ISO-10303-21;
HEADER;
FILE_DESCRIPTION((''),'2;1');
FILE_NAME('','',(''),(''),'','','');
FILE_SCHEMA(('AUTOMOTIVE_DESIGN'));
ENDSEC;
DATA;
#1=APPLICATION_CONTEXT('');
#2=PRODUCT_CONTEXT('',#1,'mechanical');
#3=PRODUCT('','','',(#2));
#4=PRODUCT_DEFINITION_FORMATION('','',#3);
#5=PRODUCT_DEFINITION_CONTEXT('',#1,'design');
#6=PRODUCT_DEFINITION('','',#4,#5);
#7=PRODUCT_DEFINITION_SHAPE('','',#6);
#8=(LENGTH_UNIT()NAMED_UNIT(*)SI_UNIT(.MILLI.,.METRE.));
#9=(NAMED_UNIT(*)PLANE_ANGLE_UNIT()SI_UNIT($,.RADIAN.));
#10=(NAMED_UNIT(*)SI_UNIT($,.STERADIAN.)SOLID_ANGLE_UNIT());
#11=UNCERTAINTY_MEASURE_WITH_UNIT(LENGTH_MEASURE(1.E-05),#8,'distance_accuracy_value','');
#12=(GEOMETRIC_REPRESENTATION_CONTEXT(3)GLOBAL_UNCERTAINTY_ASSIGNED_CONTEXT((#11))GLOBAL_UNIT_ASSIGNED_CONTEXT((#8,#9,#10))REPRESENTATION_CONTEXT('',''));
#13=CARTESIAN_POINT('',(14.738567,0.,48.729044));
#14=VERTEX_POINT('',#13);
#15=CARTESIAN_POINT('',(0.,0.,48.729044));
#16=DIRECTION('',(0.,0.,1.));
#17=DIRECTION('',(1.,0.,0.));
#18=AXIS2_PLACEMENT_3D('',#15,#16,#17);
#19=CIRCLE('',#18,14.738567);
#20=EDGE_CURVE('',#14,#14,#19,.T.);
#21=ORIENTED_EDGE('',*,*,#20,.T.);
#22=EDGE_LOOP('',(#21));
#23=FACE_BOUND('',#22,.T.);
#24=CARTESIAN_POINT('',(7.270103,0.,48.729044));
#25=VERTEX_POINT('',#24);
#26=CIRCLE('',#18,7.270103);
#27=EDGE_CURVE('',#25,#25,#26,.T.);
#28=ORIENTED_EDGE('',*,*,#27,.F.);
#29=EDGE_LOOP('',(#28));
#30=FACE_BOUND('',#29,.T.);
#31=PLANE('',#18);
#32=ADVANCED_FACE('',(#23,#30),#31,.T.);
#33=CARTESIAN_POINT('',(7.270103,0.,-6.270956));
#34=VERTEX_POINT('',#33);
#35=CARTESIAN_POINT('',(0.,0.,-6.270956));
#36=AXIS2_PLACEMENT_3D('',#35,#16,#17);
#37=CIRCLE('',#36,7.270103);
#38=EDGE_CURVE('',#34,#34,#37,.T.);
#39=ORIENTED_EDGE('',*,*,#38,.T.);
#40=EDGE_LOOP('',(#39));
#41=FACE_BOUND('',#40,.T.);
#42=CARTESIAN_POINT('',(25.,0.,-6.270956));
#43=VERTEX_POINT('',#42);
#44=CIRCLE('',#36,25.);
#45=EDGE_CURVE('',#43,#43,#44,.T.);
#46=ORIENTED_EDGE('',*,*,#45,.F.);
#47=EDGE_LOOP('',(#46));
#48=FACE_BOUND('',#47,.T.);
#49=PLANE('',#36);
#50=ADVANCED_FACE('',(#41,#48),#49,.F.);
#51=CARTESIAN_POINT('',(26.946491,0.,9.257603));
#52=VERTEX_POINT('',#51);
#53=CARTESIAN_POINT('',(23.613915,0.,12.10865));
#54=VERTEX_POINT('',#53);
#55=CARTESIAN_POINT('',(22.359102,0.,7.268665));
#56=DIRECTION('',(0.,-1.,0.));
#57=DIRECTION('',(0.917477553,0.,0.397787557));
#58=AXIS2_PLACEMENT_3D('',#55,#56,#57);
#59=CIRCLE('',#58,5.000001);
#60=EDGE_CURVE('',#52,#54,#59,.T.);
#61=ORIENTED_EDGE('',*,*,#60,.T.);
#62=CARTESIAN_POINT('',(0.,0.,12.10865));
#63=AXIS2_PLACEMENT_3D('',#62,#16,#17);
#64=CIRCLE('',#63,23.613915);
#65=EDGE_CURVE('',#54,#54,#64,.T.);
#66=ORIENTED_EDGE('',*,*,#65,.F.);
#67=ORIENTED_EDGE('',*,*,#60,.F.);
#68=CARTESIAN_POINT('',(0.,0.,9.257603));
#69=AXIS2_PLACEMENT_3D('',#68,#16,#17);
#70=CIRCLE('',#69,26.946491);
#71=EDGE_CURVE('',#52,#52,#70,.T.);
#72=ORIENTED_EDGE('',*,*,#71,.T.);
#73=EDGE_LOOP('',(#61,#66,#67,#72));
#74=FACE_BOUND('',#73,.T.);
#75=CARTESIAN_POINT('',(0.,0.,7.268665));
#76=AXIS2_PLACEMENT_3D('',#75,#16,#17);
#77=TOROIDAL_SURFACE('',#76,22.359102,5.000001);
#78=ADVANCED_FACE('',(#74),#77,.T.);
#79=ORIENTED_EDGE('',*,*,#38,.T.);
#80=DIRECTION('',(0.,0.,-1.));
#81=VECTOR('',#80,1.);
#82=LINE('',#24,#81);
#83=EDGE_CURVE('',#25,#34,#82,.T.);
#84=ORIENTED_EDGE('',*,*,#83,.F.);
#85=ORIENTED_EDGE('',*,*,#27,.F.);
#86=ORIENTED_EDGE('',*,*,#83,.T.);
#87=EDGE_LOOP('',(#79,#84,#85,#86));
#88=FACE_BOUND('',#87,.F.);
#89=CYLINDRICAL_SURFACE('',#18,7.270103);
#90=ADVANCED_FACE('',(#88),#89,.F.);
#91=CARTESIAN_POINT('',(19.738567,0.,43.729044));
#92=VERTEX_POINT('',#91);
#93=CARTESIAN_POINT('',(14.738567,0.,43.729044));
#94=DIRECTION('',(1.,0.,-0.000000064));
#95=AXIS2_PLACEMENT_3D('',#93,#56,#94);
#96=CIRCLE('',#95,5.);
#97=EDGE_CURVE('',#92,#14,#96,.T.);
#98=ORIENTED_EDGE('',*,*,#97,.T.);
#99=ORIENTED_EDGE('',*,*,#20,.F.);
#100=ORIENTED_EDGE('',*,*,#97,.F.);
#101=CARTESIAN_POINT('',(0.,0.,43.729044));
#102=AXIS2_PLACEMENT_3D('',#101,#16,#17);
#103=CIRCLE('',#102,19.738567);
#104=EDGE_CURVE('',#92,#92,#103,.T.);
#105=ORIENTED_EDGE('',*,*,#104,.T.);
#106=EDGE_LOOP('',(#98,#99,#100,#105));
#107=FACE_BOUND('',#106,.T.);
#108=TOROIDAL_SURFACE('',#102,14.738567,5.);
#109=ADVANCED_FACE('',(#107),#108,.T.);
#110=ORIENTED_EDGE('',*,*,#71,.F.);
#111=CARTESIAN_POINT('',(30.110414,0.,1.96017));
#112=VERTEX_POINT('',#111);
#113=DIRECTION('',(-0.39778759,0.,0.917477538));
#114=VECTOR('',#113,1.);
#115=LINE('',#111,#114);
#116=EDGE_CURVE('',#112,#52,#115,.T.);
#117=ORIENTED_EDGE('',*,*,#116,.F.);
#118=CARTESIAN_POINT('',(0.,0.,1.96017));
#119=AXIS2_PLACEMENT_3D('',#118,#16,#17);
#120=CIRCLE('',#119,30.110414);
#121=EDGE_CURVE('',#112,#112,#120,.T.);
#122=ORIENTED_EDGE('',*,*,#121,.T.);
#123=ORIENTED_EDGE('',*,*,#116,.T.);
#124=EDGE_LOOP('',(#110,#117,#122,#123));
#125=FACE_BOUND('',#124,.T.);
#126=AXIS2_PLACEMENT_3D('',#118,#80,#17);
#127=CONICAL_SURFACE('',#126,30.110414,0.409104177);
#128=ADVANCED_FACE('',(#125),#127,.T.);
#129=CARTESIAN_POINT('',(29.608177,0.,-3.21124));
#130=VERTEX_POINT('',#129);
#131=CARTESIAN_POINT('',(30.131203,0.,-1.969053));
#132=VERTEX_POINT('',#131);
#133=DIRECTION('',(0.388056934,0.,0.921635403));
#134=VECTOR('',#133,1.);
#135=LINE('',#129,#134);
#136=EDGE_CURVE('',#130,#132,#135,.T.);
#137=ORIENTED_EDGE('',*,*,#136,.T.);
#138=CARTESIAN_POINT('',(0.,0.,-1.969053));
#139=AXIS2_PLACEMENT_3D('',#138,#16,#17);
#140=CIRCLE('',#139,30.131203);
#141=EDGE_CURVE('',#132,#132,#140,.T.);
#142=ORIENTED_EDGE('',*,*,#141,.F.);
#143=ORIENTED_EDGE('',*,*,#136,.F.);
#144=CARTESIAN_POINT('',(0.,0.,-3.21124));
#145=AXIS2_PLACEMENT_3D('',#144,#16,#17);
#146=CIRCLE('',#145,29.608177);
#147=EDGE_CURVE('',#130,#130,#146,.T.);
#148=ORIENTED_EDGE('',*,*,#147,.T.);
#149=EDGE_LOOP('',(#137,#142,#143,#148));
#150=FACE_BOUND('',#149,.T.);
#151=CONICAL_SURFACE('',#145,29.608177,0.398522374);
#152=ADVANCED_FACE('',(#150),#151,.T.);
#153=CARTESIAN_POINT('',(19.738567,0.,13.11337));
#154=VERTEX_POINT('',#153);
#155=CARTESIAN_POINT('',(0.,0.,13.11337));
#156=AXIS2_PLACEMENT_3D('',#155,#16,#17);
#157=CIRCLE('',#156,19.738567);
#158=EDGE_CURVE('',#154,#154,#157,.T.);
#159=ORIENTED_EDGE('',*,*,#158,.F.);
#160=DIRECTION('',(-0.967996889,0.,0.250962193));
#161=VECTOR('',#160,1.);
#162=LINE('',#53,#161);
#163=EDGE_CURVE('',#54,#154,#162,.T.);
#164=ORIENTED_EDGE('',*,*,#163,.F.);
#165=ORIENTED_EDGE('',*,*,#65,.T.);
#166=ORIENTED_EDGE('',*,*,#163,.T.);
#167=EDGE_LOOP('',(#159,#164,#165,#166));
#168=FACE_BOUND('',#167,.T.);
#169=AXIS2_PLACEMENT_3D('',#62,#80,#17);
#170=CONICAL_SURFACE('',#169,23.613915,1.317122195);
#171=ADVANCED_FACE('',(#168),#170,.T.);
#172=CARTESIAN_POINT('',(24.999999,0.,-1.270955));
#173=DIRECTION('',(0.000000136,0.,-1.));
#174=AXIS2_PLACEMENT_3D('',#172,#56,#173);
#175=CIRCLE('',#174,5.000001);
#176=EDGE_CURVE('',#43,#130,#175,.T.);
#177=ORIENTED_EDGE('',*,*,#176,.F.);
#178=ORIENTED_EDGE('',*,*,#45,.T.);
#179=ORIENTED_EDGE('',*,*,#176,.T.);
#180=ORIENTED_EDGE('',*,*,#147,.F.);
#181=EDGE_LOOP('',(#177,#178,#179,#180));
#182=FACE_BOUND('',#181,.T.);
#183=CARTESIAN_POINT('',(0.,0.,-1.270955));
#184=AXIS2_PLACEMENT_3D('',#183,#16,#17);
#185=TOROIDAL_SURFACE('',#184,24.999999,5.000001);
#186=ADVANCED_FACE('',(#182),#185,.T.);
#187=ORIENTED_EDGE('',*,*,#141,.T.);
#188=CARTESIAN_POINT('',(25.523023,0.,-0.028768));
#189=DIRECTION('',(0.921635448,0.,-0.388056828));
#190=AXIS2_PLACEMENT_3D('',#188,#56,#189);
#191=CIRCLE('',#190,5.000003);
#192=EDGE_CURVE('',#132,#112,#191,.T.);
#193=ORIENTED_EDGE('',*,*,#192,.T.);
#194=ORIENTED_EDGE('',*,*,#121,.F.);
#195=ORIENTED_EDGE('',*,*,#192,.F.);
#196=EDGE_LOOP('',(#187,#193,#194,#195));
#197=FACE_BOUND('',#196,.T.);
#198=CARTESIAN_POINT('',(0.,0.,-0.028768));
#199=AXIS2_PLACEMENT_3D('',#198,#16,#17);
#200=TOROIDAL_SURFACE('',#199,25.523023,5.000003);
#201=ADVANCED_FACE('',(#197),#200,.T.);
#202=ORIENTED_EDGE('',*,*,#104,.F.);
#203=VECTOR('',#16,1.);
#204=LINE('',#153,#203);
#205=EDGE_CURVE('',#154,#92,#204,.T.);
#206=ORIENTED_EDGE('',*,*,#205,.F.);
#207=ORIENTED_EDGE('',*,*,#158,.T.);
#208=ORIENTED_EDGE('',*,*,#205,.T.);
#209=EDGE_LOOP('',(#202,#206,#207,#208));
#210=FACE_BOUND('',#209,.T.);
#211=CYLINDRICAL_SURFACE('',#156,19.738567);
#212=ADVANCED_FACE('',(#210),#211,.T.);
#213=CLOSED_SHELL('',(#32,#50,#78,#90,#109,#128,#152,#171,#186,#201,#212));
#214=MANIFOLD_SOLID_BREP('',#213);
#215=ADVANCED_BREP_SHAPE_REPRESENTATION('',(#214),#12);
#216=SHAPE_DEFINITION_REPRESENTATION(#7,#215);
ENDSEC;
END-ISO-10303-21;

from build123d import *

# Parameters (mm, degrees)
F2_R     = 7.270103
F3_DEPTH = 55.001


with BuildPart() as f1:
    # F0 (on Front) → F1 (revolve)
    with BuildSketch(Plane.XZ):
        with BuildLine():
            Line((14.738567, 48.729044), (0, 48.729044))
            Line((0, 48.729044), (0, -6.270956))
            Line((0, -6.270956), (25, -6.270956))
            ThreePointArc((25, -6.270956), (27.765735, -5.436374), (29.608177, -3.21124))
            Line((29.608177, -3.21124), (30.131203, -1.969053))
            ThreePointArc((30.131203, -1.969053), (30.522956, -0.002314), (30.110414, 1.96017))
            Line((30.110414, 1.96017), (26.946491, 9.257603))
            ThreePointArc((26.946491, 9.257603), (25.609479, 11.068015), (23.613915, 12.10865))
            Line((23.613915, 12.10865), (19.738567, 13.11337))
            Line((19.738567, 13.11337), (19.738567, 43.729044))
            ThreePointArc((19.738567, 43.729044), (18.274101, 47.264578), (14.738567, 48.729044))
        make_face()
    revolve(axis=Axis((0, 0, 21.229044), (0, 0, 1)))

    # F2 (on face) → F3 (cut, through all)
    with BuildSketch(Plane.XY.offset(48.729044)):
        Circle(F2_R)
    extrude(amount=-F3_DEPTH, mode=Mode.SUBTRACT)


solid = f1.part
